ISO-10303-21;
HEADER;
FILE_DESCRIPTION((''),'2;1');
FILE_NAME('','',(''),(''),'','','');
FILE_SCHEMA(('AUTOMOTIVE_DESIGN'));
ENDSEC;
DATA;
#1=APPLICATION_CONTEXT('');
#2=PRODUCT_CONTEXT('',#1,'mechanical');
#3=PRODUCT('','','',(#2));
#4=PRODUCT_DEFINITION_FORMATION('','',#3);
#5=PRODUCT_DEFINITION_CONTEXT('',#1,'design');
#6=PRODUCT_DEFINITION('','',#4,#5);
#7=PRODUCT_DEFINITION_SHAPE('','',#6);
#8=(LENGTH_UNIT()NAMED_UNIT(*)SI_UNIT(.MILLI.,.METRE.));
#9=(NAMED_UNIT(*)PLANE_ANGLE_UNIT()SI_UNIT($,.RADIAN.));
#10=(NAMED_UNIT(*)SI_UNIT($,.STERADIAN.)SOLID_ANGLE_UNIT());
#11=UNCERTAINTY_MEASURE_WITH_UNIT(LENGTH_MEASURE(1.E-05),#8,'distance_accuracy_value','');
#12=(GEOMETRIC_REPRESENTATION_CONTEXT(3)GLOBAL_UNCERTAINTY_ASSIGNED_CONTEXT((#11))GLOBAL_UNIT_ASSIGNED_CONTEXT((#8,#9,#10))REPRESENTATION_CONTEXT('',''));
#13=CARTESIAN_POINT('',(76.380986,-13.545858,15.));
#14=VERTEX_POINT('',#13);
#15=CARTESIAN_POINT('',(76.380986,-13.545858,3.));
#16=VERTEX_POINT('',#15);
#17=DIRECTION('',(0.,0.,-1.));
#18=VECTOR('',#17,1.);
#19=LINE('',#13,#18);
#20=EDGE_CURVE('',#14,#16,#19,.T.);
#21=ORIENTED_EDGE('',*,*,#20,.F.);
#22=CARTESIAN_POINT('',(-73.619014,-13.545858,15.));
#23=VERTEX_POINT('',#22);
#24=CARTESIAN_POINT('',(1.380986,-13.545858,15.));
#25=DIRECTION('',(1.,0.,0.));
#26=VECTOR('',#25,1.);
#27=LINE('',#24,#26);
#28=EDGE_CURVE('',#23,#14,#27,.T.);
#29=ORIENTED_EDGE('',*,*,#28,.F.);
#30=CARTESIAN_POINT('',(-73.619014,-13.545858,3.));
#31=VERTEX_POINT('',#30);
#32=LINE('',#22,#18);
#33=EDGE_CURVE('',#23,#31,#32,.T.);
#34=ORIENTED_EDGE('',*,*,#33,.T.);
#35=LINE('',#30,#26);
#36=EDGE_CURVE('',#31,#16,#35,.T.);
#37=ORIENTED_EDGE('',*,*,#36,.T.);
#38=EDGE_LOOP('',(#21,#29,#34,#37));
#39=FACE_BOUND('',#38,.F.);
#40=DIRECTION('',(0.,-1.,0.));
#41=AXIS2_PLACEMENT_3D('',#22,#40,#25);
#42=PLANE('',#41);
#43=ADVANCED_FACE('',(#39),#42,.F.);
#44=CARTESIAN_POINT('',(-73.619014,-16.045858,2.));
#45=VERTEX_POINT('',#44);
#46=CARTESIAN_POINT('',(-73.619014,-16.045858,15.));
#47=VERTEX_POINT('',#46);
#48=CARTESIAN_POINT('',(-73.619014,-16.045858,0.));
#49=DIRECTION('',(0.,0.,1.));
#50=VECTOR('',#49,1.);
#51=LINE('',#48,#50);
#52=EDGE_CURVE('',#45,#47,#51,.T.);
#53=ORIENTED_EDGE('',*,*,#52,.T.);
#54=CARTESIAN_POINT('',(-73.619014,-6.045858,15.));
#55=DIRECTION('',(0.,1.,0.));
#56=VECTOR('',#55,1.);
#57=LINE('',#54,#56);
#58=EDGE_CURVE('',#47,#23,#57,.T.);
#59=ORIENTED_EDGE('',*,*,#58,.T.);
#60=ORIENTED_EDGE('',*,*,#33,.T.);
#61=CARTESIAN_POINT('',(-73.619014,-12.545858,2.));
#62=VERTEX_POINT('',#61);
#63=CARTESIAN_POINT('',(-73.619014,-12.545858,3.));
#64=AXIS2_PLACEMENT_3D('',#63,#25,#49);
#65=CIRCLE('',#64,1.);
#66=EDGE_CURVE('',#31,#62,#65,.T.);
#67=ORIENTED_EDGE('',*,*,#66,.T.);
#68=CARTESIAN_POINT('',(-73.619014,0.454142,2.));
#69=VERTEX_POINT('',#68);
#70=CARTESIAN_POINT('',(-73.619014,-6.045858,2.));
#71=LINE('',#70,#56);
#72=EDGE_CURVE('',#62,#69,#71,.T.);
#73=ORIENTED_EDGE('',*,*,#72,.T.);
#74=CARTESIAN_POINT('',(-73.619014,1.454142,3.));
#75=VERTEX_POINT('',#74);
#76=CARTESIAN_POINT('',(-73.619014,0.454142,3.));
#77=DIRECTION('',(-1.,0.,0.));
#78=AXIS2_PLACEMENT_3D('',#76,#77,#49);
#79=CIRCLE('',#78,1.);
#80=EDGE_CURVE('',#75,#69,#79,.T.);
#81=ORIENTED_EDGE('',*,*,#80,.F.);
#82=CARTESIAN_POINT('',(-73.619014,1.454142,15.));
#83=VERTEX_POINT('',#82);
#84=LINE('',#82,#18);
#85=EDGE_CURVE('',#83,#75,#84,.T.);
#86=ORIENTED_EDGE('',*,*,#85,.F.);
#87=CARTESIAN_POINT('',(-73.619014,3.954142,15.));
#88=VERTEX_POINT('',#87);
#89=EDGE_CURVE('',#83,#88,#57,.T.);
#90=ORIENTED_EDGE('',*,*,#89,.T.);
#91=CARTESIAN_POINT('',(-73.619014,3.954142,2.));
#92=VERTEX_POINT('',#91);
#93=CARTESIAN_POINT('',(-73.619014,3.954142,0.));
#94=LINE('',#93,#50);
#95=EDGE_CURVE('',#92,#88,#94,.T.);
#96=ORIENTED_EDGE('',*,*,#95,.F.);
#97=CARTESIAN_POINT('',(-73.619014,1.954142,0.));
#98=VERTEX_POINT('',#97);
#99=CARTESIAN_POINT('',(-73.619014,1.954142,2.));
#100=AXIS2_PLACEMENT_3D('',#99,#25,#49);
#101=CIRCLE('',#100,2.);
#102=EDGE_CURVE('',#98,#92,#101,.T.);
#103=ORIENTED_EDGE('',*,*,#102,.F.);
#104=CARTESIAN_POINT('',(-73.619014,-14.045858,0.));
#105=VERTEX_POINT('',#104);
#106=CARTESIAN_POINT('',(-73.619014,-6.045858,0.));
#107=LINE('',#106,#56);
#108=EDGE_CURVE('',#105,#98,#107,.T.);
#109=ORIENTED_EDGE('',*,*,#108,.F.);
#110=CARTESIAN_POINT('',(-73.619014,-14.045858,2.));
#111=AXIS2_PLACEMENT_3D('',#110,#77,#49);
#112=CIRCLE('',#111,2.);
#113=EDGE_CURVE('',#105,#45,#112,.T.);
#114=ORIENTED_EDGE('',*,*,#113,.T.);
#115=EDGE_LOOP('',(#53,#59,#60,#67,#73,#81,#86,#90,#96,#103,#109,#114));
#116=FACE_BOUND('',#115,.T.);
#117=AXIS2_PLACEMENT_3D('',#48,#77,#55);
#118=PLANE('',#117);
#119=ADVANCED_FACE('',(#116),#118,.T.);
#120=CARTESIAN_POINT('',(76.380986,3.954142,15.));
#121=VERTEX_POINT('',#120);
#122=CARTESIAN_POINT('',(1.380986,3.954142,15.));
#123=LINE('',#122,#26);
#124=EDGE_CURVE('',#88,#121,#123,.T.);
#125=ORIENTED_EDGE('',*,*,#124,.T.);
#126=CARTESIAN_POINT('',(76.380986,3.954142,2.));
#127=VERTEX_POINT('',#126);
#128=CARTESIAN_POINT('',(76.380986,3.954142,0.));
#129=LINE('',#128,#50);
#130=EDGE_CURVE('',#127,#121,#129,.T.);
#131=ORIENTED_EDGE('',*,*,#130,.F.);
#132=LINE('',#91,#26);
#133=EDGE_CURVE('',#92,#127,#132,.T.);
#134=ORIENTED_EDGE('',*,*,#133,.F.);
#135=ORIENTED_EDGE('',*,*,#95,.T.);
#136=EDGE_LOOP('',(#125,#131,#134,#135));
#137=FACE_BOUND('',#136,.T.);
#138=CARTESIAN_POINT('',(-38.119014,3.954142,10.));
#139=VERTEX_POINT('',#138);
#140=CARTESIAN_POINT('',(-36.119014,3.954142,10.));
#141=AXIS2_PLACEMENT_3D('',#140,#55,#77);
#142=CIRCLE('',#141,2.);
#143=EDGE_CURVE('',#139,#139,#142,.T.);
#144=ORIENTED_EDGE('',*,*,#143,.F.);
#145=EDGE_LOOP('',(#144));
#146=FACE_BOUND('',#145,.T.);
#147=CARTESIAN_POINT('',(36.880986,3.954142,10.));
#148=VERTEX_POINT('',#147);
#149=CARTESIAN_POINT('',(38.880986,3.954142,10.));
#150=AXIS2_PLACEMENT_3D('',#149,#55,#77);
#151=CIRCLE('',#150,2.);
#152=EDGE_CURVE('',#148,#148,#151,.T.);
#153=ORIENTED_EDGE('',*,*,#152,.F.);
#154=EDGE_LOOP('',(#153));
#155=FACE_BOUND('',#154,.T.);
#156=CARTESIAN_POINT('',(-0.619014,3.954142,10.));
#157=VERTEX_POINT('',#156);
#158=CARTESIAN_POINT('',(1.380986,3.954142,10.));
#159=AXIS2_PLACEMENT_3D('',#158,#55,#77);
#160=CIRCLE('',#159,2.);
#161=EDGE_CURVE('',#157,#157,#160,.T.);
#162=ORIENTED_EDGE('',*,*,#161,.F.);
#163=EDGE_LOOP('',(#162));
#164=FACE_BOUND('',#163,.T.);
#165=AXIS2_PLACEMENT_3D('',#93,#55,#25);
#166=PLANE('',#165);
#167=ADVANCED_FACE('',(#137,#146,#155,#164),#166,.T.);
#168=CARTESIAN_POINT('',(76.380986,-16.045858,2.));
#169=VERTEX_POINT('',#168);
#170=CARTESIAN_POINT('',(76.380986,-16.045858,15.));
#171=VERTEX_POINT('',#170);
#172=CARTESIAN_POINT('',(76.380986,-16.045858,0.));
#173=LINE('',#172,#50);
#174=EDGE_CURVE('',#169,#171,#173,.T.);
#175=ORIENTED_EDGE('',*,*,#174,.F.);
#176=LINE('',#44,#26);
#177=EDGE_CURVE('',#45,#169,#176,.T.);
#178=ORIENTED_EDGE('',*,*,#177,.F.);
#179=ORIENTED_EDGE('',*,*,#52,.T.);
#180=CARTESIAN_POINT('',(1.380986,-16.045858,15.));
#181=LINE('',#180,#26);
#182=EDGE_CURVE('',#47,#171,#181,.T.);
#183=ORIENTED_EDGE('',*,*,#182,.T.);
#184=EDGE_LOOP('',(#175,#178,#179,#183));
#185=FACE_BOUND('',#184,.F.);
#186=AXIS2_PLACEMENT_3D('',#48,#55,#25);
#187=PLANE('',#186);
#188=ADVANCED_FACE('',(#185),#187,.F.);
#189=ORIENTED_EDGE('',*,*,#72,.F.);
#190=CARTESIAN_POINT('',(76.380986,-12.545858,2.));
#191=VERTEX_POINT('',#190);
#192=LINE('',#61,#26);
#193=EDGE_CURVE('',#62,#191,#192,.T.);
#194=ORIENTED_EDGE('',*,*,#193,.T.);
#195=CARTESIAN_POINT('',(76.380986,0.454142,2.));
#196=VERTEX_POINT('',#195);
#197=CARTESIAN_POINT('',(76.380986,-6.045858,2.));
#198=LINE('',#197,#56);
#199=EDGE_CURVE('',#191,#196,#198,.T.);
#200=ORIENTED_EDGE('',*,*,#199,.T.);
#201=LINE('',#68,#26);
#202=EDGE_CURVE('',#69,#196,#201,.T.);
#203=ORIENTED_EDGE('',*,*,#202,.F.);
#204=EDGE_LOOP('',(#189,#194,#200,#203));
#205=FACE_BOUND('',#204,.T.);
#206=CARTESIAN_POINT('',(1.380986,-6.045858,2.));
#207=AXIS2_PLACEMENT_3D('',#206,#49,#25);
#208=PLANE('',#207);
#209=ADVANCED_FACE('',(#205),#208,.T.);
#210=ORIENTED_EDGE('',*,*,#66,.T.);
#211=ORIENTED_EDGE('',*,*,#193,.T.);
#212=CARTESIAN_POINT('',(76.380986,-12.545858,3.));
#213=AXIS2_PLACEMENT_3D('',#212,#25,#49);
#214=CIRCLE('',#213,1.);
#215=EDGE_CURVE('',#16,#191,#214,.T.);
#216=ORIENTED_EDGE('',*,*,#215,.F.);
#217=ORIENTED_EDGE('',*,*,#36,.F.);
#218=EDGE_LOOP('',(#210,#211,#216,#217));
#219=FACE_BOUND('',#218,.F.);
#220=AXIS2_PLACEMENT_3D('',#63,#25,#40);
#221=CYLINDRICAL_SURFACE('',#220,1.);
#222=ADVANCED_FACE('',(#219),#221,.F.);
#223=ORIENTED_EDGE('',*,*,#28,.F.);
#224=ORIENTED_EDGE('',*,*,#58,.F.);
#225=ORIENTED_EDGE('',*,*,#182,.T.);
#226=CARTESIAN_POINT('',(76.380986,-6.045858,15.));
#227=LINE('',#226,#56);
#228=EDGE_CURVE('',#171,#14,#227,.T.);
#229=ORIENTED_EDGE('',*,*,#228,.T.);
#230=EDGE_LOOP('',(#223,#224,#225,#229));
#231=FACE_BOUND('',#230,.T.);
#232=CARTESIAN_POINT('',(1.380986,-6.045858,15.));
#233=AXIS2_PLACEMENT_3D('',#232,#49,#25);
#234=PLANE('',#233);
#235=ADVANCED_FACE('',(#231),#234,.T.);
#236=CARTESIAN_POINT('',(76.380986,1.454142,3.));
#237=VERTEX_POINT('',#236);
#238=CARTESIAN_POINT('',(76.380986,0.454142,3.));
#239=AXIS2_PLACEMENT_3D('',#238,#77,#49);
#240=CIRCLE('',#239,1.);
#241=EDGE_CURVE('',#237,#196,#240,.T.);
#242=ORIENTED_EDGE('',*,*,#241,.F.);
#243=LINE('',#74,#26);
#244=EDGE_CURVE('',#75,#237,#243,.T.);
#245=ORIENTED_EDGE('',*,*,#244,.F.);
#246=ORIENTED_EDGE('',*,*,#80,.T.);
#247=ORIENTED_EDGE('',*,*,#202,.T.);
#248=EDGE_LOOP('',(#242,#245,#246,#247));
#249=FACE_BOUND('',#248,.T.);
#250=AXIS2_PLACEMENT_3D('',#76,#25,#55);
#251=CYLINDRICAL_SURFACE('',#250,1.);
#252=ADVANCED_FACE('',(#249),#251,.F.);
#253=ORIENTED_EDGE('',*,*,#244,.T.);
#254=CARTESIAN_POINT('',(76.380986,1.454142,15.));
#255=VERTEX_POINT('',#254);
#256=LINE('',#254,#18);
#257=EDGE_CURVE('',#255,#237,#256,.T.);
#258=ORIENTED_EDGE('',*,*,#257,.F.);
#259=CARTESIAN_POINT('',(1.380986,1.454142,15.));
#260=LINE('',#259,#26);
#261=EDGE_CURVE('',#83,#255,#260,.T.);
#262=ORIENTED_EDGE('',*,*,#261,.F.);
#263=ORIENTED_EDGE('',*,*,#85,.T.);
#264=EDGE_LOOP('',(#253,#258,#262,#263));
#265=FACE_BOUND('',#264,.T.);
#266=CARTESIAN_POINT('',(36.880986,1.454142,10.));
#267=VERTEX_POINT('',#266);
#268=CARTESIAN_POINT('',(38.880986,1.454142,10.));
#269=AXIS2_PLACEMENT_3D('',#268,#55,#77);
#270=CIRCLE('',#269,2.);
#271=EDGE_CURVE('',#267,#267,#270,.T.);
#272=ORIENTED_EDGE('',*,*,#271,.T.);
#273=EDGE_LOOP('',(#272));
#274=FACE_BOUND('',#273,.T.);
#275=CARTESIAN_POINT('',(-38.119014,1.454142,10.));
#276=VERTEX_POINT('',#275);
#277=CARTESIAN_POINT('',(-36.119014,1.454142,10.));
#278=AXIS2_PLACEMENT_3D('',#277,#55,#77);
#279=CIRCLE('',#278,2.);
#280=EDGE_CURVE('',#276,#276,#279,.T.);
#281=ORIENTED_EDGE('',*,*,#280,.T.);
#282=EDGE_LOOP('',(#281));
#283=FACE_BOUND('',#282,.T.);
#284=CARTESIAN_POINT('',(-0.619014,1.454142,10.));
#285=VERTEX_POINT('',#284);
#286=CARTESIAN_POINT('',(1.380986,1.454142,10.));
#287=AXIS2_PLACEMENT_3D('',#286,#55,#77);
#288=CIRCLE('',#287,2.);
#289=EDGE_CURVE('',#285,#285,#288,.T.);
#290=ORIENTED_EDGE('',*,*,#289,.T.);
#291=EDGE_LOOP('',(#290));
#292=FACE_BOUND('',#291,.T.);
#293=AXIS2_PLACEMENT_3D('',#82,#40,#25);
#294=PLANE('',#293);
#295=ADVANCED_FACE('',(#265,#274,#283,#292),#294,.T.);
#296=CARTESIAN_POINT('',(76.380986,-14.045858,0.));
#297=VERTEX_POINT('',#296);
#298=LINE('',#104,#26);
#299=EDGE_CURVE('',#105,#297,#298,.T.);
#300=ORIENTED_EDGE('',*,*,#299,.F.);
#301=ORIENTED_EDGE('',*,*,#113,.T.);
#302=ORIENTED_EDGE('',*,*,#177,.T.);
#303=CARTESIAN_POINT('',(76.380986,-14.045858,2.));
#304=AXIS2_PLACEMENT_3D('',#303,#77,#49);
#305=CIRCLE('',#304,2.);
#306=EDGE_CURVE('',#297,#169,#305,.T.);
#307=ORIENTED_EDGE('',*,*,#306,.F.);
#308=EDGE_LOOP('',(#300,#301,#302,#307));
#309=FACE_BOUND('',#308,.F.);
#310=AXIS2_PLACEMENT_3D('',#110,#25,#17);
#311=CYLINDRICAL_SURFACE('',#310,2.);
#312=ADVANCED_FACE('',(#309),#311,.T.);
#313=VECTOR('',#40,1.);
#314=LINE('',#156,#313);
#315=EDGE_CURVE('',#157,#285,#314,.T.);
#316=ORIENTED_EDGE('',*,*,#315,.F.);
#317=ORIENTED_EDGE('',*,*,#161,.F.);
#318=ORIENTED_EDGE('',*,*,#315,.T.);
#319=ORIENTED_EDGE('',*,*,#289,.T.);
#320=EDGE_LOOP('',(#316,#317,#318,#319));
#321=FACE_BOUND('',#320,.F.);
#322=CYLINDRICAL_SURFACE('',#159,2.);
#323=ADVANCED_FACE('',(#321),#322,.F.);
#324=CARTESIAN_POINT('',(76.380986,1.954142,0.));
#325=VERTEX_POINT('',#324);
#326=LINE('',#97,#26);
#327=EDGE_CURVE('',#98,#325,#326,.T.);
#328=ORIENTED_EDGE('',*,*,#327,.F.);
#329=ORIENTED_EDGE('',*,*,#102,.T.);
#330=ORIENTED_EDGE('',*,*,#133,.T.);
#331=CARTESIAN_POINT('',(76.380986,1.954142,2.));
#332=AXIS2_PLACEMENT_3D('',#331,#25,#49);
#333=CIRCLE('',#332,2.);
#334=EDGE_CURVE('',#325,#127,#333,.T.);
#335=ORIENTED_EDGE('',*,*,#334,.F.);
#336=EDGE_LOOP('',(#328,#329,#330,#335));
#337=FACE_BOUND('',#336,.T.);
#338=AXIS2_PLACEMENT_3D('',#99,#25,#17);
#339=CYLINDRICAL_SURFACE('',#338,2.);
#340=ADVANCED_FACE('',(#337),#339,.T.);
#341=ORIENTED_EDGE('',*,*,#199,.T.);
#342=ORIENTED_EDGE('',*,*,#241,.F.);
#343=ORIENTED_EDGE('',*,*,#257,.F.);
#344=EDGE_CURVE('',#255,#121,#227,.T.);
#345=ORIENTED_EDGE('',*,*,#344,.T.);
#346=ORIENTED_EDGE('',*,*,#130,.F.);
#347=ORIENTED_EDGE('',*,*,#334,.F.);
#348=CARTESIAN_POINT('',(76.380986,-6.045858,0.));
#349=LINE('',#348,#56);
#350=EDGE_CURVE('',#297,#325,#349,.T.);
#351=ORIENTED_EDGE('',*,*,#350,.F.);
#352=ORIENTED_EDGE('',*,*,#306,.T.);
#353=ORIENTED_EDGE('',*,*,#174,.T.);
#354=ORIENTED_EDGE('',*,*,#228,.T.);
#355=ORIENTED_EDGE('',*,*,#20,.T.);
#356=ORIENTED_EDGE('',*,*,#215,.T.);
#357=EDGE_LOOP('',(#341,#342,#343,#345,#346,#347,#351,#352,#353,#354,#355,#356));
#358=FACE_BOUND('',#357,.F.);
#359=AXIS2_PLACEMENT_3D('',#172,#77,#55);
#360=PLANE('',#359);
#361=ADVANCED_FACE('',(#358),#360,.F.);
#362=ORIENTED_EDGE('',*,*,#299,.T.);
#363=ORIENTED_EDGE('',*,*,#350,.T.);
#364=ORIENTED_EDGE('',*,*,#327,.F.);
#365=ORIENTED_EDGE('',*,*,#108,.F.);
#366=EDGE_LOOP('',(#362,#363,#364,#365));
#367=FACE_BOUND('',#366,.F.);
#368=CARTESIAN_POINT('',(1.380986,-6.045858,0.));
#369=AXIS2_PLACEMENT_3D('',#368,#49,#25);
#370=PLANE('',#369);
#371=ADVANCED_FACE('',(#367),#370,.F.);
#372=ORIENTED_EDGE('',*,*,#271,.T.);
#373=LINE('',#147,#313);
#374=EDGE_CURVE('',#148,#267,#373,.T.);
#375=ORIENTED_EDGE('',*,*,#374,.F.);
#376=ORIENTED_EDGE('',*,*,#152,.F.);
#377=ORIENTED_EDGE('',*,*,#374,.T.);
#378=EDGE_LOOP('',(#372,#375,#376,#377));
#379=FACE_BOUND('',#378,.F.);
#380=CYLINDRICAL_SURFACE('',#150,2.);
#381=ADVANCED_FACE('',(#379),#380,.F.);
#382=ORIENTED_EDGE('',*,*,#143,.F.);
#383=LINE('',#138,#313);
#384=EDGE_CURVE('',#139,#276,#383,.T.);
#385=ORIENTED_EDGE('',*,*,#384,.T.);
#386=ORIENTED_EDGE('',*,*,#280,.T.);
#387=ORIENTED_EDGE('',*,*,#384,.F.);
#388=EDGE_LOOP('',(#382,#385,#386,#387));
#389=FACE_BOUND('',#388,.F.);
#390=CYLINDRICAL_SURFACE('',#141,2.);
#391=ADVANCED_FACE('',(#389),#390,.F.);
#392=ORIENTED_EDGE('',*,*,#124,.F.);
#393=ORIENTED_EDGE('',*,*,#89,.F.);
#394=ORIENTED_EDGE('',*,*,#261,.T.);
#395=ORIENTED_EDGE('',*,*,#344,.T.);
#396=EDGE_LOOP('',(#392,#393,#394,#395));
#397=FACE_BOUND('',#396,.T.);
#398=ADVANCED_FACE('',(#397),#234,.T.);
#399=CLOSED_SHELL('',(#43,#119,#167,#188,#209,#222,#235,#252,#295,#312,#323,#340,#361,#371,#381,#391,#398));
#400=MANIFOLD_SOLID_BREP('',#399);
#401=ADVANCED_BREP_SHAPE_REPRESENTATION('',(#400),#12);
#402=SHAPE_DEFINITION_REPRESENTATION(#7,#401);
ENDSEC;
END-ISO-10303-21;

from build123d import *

# Parameters (mm, degrees)
F0_W     = 150
F0_H     = 20
F1_DEPTH = 15
F2_W     = 150
F2_H     = 15
F3_DEPTH = 13
F4_R     = 2
F5_DEPTH = 2.5
F6_R     = 2
F7_R     = 1


with BuildPart() as f1:
    # F0 (on Top) → F1 (new body)
    with BuildSketch(Plane.XY):
        with Locations((1.380986, -6.045858)):
            Rectangle(F0_W, F0_H)
    extrude(amount=F1_DEPTH)

    # F2 (on face) → F3 (cut)
    with BuildSketch(Plane.XY.offset(15)):
        with Locations((1.380986, -6.045858)):
            Rectangle(F2_W, F2_H)
    extrude(amount=-F3_DEPTH, mode=Mode.SUBTRACT)

    # F4 (on face) → F5 (cut)
    with BuildSketch(Plane(origin=(0, 3.954142, 0), x_dir=(-1, 0, 0), z_dir=(0, 1, 0))):
        with Locations((-38.880986, 10)):
            Circle(F4_R)
        with Locations((-1.380986, 10)):
            Circle(F4_R)
        with Locations((36.119014, 10)):
            Circle(F4_R)
    extrude(amount=-F5_DEPTH, mode=Mode.SUBTRACT)

    # F6
    f6_edges = [f1.edges().sort_by_distance(p)[0] for p in [
        (1.380986, -16.045858, 0),
        (1.380986, 3.954142, 0),
    ]]
    fillet(f6_edges, radius=F6_R)

    # F7
    f7_edges = [f1.edges().sort_by_distance(p)[0] for p in [
        (1.380986, -13.545858, 2),
        (1.380986, 1.454142, 2),
    ]]
    fillet(f7_edges, radius=F7_R)


solid = f1.part
